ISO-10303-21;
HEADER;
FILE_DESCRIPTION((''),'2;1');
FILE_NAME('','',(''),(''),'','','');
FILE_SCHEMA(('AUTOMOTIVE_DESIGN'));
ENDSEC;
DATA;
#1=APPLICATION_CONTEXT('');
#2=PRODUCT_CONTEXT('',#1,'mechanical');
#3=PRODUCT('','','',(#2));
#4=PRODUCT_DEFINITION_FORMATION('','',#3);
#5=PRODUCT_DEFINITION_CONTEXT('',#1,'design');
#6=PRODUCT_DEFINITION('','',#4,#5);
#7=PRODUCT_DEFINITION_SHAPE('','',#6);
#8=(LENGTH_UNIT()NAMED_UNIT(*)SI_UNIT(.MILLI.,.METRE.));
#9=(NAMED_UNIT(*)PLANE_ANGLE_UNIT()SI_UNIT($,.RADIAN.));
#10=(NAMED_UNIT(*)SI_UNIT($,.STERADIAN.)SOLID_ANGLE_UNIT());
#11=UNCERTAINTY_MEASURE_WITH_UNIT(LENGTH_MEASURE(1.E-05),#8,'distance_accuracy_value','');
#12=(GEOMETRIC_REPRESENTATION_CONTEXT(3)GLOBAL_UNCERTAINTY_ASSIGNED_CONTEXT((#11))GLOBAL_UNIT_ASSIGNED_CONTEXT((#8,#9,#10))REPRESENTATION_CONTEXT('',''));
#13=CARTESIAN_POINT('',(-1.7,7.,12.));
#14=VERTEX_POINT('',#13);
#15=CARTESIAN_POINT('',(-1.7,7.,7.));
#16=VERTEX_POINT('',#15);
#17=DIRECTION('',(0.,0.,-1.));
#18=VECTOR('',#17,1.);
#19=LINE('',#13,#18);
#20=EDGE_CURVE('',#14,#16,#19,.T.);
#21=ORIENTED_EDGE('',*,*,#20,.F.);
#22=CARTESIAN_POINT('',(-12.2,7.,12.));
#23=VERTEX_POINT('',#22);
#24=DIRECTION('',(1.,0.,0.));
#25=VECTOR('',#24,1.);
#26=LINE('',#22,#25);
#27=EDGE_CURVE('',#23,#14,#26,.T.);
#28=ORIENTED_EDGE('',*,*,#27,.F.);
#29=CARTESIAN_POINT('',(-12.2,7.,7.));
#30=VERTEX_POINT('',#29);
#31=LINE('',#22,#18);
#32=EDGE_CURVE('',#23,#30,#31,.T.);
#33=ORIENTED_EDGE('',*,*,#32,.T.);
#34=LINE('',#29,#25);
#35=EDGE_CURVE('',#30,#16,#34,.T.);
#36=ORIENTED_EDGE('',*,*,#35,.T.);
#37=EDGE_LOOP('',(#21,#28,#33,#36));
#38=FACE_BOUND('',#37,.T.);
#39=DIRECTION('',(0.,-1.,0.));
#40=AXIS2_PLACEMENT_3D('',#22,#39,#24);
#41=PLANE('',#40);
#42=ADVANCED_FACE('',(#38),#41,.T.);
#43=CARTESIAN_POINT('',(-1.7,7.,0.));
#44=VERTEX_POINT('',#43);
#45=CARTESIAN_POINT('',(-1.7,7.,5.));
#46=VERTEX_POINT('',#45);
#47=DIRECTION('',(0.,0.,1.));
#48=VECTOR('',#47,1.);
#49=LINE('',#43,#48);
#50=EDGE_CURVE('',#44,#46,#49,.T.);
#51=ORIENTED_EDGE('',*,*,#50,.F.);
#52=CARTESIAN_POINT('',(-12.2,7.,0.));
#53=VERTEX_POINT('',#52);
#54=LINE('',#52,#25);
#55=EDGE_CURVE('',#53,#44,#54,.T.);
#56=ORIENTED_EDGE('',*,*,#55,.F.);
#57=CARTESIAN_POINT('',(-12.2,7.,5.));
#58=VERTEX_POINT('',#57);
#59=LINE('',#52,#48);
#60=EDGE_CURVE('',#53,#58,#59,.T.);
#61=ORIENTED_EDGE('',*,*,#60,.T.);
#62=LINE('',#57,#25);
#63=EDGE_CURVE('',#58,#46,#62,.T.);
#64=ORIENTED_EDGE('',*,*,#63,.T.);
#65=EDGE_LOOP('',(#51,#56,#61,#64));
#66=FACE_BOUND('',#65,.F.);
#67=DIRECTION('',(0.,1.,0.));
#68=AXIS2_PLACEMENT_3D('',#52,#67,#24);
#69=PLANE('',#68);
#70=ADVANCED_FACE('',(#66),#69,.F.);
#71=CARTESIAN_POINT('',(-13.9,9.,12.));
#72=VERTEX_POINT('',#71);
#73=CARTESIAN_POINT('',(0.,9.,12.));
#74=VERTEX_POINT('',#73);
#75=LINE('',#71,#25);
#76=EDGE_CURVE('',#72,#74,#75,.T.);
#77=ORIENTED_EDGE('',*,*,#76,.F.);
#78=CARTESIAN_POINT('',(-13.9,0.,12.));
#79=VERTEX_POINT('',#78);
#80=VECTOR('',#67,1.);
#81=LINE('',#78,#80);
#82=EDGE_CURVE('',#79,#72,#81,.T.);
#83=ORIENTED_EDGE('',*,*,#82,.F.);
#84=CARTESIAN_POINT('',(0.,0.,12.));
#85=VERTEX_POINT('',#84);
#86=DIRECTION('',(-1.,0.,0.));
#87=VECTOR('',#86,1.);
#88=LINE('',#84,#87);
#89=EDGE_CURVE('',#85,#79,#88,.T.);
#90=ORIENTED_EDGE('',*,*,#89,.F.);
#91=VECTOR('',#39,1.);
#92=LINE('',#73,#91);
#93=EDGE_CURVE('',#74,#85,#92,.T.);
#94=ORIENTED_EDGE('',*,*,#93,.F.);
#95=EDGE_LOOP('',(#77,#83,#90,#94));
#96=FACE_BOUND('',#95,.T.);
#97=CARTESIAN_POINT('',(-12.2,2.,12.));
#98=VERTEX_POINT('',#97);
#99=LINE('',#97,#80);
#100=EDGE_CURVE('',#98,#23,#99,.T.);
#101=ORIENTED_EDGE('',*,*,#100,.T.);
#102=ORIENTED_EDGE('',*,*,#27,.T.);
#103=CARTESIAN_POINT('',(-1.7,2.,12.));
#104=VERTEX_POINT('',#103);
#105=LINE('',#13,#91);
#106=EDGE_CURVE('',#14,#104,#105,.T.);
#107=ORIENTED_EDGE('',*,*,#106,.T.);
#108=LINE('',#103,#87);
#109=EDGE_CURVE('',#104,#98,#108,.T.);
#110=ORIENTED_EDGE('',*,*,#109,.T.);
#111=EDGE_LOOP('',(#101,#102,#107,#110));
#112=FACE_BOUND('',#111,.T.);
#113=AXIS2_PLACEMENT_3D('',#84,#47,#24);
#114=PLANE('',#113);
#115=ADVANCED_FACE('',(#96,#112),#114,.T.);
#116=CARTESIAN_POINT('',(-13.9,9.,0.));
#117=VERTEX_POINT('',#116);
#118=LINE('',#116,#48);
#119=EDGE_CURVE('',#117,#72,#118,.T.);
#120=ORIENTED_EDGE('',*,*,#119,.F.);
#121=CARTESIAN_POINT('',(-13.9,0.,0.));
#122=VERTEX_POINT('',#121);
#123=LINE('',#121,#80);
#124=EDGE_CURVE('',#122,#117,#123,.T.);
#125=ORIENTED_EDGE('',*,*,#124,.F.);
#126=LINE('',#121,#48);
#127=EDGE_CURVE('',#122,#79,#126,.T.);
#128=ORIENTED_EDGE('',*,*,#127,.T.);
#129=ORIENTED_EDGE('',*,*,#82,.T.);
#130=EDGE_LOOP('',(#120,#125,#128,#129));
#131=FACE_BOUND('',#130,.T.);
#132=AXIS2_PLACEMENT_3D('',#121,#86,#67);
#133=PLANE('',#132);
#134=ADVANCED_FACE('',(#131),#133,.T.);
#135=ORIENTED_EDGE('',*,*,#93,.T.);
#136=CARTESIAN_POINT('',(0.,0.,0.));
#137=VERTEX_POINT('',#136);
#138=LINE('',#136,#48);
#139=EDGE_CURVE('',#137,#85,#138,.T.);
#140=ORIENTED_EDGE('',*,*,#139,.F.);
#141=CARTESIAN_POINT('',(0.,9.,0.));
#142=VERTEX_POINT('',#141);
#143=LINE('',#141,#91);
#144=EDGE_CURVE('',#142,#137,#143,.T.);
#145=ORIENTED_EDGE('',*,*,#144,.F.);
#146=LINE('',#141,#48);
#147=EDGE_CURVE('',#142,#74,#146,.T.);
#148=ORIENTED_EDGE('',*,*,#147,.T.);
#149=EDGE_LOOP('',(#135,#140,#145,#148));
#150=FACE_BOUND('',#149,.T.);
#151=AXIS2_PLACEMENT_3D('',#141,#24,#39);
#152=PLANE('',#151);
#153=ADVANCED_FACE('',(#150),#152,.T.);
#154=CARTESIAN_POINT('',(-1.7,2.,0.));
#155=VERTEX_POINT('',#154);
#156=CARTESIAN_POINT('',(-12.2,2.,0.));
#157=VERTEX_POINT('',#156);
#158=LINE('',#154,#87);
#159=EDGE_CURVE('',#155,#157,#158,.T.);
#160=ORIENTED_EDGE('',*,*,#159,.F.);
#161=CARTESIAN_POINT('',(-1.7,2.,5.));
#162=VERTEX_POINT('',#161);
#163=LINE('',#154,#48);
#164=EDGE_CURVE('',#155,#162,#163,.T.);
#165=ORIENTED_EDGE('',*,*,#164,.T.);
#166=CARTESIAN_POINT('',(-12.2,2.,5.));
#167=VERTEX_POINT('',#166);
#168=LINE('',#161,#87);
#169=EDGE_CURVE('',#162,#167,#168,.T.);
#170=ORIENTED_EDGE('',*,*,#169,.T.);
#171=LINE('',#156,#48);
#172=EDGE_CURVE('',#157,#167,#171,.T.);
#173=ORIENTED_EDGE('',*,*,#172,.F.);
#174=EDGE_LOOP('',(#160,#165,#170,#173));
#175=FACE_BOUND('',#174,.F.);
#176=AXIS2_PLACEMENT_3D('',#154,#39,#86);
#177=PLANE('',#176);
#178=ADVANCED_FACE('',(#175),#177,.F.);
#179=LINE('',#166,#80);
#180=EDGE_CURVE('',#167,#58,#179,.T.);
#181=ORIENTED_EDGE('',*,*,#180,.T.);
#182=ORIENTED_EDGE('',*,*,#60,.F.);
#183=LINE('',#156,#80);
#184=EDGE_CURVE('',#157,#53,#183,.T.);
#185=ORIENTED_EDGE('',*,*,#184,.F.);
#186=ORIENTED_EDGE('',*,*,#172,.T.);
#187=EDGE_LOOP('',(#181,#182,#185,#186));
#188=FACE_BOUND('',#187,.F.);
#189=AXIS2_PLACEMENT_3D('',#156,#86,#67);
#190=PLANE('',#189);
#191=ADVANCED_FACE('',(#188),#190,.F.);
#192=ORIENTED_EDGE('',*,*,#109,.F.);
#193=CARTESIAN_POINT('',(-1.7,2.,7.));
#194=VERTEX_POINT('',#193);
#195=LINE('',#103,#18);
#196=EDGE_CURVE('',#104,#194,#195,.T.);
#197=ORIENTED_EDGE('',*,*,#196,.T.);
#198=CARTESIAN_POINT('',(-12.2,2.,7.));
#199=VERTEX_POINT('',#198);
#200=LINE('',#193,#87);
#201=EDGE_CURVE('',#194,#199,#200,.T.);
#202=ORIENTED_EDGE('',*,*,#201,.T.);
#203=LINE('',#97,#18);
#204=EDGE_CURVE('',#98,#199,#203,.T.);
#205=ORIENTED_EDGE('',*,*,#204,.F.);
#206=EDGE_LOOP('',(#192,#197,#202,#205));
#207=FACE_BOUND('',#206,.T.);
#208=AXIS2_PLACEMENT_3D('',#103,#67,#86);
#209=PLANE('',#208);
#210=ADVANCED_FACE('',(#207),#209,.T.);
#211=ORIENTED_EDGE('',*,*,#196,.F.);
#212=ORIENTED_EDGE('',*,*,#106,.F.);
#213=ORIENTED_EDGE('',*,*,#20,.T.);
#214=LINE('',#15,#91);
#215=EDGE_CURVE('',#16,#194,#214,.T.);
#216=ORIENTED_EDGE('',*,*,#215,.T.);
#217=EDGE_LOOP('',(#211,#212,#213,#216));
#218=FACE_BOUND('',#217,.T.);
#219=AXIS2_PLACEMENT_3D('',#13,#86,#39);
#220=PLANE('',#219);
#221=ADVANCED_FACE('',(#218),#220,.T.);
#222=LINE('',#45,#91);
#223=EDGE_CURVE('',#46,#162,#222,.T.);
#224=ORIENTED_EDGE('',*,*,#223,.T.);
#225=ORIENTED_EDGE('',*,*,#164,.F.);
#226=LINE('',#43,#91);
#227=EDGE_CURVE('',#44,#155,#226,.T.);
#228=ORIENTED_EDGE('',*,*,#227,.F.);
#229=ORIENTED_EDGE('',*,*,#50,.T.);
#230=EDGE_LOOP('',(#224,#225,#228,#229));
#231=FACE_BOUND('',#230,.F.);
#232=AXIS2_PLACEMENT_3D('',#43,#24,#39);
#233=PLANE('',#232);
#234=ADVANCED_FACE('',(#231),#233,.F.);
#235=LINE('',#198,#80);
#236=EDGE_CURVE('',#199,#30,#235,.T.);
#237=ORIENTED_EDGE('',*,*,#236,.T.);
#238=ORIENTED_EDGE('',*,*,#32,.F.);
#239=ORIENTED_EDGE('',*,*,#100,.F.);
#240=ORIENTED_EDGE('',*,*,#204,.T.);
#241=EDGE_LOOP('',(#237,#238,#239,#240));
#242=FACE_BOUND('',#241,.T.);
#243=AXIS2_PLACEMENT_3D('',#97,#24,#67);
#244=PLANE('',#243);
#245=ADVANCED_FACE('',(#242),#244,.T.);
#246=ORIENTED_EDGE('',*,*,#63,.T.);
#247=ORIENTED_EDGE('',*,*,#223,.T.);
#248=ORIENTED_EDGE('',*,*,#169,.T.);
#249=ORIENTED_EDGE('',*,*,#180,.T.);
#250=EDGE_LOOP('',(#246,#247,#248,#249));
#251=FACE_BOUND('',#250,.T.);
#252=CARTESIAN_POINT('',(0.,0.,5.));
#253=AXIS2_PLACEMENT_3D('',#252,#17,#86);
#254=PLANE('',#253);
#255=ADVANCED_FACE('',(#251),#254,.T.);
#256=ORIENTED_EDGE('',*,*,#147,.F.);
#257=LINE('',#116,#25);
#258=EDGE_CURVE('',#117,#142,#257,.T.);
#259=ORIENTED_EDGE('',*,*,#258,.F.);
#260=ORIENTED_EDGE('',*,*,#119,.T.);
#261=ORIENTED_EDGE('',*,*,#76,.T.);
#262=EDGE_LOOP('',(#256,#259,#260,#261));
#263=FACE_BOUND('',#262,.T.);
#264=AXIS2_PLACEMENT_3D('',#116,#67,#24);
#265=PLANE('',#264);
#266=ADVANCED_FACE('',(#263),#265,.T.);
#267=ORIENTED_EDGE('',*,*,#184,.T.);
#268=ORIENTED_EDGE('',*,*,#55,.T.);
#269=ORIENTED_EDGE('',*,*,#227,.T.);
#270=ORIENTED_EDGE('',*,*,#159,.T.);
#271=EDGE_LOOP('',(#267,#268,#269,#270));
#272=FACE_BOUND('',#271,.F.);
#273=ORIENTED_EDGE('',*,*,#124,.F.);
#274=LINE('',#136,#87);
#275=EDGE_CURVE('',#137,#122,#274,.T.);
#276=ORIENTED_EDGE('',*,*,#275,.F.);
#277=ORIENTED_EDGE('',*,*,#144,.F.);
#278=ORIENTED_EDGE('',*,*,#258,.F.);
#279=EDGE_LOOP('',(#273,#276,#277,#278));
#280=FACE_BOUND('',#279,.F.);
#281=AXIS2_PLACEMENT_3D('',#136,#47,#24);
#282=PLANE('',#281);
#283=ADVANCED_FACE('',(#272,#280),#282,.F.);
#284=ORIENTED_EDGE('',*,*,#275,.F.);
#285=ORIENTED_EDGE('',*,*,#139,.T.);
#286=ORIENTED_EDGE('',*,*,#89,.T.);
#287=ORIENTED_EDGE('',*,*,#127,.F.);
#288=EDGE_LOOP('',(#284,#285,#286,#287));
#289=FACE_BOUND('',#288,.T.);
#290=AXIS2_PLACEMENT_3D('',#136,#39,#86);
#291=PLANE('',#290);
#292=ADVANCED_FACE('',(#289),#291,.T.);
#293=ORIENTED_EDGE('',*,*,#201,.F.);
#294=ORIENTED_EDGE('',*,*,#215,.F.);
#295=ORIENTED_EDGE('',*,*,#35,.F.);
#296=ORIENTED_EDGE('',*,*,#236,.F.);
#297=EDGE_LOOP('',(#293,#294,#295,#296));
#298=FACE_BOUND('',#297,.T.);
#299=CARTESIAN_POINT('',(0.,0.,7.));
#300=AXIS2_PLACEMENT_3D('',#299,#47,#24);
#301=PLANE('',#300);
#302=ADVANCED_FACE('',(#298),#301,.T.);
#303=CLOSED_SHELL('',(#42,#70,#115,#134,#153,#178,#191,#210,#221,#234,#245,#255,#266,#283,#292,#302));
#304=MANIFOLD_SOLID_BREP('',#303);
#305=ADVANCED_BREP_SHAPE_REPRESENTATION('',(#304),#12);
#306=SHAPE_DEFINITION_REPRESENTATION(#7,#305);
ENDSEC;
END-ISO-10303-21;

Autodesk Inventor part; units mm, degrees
ref_plane "YZ Plane" through (0, 0, 0) normal (1, 0, 0) x (0, 1, 0)
ref_plane "XZ Plane" through (0, 0, 0) normal (0, 1, 0) x (-1, 0, 0)
ref_plane "XY Plane" through (0, 0, 0) normal (0, 0, 1) x (1, 0, 0)
sketch "Sketch5" plane through (0, 0, 0) normal (0, 0, 1) x (1, 0, 0)
  line L0 (0, 0) -> (-13.9, 0)
  line L1 (-13.9, 0) -> (-13.9, 9)
  line L2 (-13.9, 9) -> (0, 9)
  line L3 (0, 9) -> (0, 0)
  line L4 (-2, 2) -> (-11.9, 2)
  line L5 (-11.9, 2) -> (-11.9, 7)
  line L6 (-11.9, 7) -> (-2, 7)
  line L7 (-2, 7) -> (-2, 2)
  dimension "d67" = 13.9
  dimension "d68" = 9
  dimension "d69" = 9.9
  dimension "d70" = 5
extrude "Extrusion8" add sketch "Sketch5" along normal blind 12 contours L0 L1 L2 L3 | L4 L5 L6 L7
sketch "Sketch6" plane through (0, 0, 12) normal (0, 0, 1) x (1, 0, 0)
  line L0 (-1.7, 2) -> (-12.2, 2)
  line L1 (-12.2, 2) -> (-12.2, 7)
  line L2 (-12.2, 7) -> (-1.7, 7)
  line L3 (-1.7, 7) -> (-1.7, 2)
  point P0 (0, 0)
  dimension "d85" = 10.5
  dimension "d86" = 5
sketch "Sketch7" plane through (0, 0, 0) normal (0, 0, -1) x (-1, 0, 0)
  line L0 (1.7, 2) -> (12.2, 2)
  line L1 (12.2, 2) -> (12.2, 7)
  line L2 (12.2, 7) -> (1.7, 7)
  line L3 (1.7, 7) -> (1.7, 2)
  point P0 (0, 0)
  dimension "d83" = 10.5
  dimension "d84" = 5
extrude "Extrusion12" cut sketch "Sketch6" against normal blind 5
extrude "Extrusion13" cut sketch "Sketch7" against normal blind 5
properties part number "Cube_Holder_SB_V1_(71mm)"
